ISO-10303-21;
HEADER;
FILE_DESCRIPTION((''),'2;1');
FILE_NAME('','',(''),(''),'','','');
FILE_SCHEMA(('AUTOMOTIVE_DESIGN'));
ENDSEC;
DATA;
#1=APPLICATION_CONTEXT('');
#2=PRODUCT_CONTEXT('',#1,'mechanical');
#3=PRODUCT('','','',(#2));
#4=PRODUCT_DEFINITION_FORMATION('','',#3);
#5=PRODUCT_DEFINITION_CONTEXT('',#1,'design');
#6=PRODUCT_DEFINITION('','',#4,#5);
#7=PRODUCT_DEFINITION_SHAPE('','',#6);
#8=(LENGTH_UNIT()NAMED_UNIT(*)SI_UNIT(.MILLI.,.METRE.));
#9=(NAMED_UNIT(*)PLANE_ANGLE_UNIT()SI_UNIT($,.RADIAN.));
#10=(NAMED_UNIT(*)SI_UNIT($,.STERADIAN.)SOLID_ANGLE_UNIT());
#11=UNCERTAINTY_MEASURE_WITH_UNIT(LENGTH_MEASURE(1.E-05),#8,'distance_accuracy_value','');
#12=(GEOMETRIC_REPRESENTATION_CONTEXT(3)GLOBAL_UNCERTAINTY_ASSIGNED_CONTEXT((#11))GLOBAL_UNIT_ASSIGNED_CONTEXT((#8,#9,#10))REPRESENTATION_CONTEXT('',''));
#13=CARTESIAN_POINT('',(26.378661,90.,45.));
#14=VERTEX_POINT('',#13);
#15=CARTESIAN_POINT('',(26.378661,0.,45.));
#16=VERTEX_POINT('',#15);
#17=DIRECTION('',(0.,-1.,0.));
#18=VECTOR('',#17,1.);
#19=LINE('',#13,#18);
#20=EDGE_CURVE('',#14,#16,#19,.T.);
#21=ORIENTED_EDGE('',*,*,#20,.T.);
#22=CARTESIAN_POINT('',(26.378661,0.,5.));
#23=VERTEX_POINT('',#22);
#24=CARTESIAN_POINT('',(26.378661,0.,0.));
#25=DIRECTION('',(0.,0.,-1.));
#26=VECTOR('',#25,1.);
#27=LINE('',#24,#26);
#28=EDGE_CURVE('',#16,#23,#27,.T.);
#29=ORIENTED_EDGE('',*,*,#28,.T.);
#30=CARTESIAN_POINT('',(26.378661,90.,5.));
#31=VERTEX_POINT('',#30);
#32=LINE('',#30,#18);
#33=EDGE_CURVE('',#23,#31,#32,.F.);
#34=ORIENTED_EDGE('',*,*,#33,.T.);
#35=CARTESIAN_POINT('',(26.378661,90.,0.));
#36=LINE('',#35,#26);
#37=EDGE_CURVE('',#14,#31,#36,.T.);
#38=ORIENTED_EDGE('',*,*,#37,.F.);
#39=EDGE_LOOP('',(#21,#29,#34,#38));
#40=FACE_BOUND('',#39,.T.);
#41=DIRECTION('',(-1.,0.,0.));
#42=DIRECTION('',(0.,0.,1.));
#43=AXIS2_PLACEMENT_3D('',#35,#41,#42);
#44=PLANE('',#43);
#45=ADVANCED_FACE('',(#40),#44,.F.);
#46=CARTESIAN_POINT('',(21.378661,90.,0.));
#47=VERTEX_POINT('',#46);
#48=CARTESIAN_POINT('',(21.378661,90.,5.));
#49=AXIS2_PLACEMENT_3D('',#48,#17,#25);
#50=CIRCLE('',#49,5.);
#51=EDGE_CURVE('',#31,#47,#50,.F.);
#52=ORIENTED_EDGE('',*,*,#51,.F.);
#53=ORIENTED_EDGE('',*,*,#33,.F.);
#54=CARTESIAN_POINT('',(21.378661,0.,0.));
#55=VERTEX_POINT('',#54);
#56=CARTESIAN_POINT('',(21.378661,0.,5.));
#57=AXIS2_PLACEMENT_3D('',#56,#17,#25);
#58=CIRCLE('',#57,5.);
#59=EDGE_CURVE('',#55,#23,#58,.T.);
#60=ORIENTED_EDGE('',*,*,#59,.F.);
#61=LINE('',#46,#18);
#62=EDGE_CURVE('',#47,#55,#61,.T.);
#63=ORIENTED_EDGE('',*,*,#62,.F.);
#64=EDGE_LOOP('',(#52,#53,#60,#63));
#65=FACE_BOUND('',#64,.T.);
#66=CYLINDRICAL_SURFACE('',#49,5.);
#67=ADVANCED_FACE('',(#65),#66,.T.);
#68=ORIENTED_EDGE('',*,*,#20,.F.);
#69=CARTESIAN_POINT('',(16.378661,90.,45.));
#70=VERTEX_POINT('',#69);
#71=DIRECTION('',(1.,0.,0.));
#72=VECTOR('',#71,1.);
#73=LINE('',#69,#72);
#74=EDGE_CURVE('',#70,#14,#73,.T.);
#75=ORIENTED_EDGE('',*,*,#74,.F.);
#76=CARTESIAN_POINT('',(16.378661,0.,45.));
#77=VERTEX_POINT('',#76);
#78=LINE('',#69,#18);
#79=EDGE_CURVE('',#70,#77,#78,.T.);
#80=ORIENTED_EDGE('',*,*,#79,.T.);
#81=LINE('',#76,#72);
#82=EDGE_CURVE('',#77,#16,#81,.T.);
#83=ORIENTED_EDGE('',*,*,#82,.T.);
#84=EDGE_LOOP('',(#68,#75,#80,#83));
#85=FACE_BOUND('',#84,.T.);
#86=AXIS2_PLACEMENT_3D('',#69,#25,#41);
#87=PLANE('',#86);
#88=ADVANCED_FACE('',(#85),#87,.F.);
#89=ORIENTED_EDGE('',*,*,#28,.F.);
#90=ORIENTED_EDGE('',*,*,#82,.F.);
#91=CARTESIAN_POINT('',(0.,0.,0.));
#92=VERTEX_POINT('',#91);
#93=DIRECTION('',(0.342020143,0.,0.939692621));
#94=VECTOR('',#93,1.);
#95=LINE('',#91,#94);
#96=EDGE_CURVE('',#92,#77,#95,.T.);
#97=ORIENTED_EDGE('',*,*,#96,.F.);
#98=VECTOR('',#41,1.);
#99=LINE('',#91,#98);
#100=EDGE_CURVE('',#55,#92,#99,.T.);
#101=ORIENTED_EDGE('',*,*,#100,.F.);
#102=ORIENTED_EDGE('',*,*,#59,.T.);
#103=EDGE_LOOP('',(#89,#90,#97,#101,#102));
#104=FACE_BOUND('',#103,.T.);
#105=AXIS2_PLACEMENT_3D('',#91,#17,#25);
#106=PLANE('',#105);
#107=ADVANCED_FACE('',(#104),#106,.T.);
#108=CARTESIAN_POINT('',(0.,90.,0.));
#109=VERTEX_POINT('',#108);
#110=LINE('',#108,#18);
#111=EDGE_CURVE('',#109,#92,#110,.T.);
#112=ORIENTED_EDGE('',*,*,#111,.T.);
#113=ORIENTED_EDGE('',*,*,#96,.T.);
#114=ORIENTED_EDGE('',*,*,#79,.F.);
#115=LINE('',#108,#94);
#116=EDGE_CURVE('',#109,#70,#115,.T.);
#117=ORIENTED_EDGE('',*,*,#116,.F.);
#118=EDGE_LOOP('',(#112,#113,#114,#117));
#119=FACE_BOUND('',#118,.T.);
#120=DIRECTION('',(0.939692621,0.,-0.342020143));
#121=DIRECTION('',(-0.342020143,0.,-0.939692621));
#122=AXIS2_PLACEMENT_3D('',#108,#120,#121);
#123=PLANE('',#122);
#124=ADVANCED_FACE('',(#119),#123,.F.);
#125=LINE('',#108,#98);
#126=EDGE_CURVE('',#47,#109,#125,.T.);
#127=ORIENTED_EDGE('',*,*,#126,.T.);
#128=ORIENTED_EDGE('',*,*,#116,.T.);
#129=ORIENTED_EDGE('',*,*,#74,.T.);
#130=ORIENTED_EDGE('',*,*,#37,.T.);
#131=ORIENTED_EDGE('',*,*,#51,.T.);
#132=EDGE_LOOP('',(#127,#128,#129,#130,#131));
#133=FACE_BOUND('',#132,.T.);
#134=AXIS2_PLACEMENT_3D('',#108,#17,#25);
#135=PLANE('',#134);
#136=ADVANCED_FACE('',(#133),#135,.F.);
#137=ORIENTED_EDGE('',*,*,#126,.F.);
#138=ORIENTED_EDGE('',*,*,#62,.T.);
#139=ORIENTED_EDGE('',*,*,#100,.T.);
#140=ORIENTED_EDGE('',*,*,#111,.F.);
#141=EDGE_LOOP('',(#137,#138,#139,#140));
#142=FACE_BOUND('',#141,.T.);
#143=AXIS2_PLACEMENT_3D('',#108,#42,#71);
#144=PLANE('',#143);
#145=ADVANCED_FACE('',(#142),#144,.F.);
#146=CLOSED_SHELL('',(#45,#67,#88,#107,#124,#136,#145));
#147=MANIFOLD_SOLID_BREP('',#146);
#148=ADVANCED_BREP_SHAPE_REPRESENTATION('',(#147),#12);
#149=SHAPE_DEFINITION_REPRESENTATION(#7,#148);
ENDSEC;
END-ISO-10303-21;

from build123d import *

# Parameters (mm, degrees)
EXTRUDE_1_DEPTH = 90
FILLET_1_R      = 5


with BuildPart() as part:
    # 草图1 → 凸台-拉伸1 (new body)
    with BuildSketch(Plane(origin=(0, 0, 0), x_dir=(1, 0, 0), z_dir=(0, 1, 0))):
        Polygon((0, 0), (16.378660542, -45), (26.378660542, -45), (26.378660542, 0), align=None)
    extrude(amount=EXTRUDE_1_DEPTH)

    # 圆角1
    fillet_1_edges = [part.edges().sort_by_distance(p)[0] for p in [
        (26.378660542, 45, 0),
    ]]
    fillet(fillet_1_edges, radius=FILLET_1_R)


solid = part.part
